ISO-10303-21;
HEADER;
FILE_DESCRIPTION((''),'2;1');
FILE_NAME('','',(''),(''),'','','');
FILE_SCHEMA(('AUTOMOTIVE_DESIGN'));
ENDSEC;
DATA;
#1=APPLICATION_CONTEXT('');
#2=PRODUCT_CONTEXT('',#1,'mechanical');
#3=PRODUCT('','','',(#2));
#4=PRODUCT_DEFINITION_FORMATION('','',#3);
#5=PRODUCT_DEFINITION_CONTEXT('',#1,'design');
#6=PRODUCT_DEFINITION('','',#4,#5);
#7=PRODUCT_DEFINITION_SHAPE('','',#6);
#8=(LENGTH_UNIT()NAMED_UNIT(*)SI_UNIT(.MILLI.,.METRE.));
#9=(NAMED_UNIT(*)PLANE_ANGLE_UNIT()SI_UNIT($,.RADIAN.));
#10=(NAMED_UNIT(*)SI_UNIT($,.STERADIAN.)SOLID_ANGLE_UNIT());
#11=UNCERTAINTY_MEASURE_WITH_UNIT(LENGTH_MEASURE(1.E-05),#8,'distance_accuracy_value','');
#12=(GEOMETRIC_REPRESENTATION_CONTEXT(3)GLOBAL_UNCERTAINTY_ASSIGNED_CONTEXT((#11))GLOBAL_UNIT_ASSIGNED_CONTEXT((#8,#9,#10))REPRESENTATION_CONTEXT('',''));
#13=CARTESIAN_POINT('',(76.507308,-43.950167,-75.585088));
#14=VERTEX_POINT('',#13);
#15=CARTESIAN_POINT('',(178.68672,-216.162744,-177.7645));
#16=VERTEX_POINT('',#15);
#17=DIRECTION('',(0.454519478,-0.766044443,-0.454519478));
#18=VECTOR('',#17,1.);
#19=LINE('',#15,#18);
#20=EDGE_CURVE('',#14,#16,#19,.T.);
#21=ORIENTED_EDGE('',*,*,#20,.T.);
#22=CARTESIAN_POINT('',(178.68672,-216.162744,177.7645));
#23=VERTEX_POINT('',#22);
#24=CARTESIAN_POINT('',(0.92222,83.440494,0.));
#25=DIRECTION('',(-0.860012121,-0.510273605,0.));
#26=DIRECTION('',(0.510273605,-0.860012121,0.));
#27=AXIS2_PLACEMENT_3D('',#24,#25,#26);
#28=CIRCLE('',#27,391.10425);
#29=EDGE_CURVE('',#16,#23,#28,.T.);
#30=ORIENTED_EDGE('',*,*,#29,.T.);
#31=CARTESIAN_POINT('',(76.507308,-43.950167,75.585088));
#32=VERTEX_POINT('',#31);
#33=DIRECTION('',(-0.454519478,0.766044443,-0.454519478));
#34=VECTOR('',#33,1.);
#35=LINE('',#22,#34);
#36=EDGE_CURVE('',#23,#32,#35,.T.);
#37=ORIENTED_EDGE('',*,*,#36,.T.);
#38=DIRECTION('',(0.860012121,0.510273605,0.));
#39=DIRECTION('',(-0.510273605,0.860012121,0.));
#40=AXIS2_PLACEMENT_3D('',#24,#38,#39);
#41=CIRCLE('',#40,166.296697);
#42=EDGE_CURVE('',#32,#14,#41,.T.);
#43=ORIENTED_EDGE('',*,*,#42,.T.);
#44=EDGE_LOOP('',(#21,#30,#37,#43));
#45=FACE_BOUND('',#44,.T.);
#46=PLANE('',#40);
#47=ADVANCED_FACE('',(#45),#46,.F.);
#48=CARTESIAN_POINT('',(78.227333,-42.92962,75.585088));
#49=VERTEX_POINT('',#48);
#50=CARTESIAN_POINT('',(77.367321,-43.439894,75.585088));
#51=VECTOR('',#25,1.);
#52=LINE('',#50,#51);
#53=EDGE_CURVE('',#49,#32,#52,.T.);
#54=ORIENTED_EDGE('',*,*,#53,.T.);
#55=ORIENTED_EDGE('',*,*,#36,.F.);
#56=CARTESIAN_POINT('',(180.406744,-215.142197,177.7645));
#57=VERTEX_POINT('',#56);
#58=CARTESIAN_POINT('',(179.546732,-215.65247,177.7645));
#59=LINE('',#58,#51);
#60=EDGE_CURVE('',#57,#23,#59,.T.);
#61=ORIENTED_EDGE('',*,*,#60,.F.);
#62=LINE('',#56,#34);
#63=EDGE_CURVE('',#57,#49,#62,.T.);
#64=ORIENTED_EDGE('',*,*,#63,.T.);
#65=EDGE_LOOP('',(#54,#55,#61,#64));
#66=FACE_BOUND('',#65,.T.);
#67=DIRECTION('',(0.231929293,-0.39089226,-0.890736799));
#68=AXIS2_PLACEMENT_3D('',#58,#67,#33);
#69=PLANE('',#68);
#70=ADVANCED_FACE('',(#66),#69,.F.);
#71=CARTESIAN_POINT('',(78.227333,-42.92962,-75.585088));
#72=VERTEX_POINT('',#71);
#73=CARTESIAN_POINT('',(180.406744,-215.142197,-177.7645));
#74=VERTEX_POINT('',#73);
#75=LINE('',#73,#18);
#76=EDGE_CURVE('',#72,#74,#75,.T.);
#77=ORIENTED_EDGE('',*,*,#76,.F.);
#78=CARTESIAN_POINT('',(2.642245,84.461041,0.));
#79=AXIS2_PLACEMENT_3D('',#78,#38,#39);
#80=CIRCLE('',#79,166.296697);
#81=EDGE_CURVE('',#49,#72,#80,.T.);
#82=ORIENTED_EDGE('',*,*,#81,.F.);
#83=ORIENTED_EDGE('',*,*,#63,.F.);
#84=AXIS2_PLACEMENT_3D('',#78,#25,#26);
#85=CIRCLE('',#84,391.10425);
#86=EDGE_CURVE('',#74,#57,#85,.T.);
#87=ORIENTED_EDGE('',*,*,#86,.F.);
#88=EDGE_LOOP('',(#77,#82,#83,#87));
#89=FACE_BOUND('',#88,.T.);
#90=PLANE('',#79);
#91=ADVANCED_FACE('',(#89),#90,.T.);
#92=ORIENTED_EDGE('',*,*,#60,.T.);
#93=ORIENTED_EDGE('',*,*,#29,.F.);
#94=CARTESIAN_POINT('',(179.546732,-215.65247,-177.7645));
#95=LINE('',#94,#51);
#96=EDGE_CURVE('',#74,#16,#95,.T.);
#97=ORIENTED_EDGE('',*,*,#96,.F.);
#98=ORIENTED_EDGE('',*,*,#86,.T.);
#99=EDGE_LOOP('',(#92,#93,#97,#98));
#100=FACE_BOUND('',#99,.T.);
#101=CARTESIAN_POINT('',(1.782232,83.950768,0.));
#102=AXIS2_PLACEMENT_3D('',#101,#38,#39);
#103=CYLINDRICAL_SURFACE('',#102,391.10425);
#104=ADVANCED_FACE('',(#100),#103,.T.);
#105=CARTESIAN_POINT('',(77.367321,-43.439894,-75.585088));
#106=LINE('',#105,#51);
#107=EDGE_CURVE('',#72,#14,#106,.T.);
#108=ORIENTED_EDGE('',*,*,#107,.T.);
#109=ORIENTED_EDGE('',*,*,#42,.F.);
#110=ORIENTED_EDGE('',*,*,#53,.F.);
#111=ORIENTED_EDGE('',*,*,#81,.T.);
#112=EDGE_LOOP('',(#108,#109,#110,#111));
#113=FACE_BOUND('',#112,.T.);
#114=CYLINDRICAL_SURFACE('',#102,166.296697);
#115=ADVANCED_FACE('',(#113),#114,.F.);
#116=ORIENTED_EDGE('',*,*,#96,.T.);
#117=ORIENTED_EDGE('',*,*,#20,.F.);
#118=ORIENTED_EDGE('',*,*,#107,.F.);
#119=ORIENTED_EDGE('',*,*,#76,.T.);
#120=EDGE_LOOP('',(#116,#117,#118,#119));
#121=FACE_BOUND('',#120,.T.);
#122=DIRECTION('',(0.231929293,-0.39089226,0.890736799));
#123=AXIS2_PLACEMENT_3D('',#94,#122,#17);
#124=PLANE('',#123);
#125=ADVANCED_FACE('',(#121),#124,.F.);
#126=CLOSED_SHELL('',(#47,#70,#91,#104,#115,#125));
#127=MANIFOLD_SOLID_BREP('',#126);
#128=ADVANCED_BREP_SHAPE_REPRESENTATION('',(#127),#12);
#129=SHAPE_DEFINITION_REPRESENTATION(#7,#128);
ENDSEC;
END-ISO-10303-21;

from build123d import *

# Parameters (mm, degrees)
THICKEN1_T1 = 1
THICKEN1_T2 = 1


with BuildPart() as body_1:
    # Sketch2 → Surface-Plane1: a flat surface bounded by the sketch
    with BuildSketch(Plane(origin=(18.304702573, 56.103893903, 84.504712269), x_dir=(-0.3617763934446254, 0.6097357967348626, 0.7052234392916206), z_dir=(-0.8600121206459034, -0.5102736053747404, -1.0969032612691395e-15)), mode=Mode.PRIVATE) as surface_plane1_1_region:
        with BuildLine():
            Line((-158.264155059, -288.964285994), (-88.353199476, -75.303587479))
            ThreePointArc((-88.353199476, -75.303587479), (-154.539912555, -34.528871866), (-194.96195103, 31.873818041))
            Line((-194.96195103, 31.873818041), (-408.99153859, -36.899515812))
            ThreePointArc((-408.99153859, -36.899515812), (-313.925122407, -193.068427437), (-158.264155059, -288.964285994))
        make_face()
    surface_plane1_1 = surface_plane1_1_region.sketch.faces()[0]
    add(Solid.thicken(surface_plane1_1, THICKEN1_T1))
    add(Solid.thicken(surface_plane1_1, -THICKEN1_T2))


solid = body_1.part
